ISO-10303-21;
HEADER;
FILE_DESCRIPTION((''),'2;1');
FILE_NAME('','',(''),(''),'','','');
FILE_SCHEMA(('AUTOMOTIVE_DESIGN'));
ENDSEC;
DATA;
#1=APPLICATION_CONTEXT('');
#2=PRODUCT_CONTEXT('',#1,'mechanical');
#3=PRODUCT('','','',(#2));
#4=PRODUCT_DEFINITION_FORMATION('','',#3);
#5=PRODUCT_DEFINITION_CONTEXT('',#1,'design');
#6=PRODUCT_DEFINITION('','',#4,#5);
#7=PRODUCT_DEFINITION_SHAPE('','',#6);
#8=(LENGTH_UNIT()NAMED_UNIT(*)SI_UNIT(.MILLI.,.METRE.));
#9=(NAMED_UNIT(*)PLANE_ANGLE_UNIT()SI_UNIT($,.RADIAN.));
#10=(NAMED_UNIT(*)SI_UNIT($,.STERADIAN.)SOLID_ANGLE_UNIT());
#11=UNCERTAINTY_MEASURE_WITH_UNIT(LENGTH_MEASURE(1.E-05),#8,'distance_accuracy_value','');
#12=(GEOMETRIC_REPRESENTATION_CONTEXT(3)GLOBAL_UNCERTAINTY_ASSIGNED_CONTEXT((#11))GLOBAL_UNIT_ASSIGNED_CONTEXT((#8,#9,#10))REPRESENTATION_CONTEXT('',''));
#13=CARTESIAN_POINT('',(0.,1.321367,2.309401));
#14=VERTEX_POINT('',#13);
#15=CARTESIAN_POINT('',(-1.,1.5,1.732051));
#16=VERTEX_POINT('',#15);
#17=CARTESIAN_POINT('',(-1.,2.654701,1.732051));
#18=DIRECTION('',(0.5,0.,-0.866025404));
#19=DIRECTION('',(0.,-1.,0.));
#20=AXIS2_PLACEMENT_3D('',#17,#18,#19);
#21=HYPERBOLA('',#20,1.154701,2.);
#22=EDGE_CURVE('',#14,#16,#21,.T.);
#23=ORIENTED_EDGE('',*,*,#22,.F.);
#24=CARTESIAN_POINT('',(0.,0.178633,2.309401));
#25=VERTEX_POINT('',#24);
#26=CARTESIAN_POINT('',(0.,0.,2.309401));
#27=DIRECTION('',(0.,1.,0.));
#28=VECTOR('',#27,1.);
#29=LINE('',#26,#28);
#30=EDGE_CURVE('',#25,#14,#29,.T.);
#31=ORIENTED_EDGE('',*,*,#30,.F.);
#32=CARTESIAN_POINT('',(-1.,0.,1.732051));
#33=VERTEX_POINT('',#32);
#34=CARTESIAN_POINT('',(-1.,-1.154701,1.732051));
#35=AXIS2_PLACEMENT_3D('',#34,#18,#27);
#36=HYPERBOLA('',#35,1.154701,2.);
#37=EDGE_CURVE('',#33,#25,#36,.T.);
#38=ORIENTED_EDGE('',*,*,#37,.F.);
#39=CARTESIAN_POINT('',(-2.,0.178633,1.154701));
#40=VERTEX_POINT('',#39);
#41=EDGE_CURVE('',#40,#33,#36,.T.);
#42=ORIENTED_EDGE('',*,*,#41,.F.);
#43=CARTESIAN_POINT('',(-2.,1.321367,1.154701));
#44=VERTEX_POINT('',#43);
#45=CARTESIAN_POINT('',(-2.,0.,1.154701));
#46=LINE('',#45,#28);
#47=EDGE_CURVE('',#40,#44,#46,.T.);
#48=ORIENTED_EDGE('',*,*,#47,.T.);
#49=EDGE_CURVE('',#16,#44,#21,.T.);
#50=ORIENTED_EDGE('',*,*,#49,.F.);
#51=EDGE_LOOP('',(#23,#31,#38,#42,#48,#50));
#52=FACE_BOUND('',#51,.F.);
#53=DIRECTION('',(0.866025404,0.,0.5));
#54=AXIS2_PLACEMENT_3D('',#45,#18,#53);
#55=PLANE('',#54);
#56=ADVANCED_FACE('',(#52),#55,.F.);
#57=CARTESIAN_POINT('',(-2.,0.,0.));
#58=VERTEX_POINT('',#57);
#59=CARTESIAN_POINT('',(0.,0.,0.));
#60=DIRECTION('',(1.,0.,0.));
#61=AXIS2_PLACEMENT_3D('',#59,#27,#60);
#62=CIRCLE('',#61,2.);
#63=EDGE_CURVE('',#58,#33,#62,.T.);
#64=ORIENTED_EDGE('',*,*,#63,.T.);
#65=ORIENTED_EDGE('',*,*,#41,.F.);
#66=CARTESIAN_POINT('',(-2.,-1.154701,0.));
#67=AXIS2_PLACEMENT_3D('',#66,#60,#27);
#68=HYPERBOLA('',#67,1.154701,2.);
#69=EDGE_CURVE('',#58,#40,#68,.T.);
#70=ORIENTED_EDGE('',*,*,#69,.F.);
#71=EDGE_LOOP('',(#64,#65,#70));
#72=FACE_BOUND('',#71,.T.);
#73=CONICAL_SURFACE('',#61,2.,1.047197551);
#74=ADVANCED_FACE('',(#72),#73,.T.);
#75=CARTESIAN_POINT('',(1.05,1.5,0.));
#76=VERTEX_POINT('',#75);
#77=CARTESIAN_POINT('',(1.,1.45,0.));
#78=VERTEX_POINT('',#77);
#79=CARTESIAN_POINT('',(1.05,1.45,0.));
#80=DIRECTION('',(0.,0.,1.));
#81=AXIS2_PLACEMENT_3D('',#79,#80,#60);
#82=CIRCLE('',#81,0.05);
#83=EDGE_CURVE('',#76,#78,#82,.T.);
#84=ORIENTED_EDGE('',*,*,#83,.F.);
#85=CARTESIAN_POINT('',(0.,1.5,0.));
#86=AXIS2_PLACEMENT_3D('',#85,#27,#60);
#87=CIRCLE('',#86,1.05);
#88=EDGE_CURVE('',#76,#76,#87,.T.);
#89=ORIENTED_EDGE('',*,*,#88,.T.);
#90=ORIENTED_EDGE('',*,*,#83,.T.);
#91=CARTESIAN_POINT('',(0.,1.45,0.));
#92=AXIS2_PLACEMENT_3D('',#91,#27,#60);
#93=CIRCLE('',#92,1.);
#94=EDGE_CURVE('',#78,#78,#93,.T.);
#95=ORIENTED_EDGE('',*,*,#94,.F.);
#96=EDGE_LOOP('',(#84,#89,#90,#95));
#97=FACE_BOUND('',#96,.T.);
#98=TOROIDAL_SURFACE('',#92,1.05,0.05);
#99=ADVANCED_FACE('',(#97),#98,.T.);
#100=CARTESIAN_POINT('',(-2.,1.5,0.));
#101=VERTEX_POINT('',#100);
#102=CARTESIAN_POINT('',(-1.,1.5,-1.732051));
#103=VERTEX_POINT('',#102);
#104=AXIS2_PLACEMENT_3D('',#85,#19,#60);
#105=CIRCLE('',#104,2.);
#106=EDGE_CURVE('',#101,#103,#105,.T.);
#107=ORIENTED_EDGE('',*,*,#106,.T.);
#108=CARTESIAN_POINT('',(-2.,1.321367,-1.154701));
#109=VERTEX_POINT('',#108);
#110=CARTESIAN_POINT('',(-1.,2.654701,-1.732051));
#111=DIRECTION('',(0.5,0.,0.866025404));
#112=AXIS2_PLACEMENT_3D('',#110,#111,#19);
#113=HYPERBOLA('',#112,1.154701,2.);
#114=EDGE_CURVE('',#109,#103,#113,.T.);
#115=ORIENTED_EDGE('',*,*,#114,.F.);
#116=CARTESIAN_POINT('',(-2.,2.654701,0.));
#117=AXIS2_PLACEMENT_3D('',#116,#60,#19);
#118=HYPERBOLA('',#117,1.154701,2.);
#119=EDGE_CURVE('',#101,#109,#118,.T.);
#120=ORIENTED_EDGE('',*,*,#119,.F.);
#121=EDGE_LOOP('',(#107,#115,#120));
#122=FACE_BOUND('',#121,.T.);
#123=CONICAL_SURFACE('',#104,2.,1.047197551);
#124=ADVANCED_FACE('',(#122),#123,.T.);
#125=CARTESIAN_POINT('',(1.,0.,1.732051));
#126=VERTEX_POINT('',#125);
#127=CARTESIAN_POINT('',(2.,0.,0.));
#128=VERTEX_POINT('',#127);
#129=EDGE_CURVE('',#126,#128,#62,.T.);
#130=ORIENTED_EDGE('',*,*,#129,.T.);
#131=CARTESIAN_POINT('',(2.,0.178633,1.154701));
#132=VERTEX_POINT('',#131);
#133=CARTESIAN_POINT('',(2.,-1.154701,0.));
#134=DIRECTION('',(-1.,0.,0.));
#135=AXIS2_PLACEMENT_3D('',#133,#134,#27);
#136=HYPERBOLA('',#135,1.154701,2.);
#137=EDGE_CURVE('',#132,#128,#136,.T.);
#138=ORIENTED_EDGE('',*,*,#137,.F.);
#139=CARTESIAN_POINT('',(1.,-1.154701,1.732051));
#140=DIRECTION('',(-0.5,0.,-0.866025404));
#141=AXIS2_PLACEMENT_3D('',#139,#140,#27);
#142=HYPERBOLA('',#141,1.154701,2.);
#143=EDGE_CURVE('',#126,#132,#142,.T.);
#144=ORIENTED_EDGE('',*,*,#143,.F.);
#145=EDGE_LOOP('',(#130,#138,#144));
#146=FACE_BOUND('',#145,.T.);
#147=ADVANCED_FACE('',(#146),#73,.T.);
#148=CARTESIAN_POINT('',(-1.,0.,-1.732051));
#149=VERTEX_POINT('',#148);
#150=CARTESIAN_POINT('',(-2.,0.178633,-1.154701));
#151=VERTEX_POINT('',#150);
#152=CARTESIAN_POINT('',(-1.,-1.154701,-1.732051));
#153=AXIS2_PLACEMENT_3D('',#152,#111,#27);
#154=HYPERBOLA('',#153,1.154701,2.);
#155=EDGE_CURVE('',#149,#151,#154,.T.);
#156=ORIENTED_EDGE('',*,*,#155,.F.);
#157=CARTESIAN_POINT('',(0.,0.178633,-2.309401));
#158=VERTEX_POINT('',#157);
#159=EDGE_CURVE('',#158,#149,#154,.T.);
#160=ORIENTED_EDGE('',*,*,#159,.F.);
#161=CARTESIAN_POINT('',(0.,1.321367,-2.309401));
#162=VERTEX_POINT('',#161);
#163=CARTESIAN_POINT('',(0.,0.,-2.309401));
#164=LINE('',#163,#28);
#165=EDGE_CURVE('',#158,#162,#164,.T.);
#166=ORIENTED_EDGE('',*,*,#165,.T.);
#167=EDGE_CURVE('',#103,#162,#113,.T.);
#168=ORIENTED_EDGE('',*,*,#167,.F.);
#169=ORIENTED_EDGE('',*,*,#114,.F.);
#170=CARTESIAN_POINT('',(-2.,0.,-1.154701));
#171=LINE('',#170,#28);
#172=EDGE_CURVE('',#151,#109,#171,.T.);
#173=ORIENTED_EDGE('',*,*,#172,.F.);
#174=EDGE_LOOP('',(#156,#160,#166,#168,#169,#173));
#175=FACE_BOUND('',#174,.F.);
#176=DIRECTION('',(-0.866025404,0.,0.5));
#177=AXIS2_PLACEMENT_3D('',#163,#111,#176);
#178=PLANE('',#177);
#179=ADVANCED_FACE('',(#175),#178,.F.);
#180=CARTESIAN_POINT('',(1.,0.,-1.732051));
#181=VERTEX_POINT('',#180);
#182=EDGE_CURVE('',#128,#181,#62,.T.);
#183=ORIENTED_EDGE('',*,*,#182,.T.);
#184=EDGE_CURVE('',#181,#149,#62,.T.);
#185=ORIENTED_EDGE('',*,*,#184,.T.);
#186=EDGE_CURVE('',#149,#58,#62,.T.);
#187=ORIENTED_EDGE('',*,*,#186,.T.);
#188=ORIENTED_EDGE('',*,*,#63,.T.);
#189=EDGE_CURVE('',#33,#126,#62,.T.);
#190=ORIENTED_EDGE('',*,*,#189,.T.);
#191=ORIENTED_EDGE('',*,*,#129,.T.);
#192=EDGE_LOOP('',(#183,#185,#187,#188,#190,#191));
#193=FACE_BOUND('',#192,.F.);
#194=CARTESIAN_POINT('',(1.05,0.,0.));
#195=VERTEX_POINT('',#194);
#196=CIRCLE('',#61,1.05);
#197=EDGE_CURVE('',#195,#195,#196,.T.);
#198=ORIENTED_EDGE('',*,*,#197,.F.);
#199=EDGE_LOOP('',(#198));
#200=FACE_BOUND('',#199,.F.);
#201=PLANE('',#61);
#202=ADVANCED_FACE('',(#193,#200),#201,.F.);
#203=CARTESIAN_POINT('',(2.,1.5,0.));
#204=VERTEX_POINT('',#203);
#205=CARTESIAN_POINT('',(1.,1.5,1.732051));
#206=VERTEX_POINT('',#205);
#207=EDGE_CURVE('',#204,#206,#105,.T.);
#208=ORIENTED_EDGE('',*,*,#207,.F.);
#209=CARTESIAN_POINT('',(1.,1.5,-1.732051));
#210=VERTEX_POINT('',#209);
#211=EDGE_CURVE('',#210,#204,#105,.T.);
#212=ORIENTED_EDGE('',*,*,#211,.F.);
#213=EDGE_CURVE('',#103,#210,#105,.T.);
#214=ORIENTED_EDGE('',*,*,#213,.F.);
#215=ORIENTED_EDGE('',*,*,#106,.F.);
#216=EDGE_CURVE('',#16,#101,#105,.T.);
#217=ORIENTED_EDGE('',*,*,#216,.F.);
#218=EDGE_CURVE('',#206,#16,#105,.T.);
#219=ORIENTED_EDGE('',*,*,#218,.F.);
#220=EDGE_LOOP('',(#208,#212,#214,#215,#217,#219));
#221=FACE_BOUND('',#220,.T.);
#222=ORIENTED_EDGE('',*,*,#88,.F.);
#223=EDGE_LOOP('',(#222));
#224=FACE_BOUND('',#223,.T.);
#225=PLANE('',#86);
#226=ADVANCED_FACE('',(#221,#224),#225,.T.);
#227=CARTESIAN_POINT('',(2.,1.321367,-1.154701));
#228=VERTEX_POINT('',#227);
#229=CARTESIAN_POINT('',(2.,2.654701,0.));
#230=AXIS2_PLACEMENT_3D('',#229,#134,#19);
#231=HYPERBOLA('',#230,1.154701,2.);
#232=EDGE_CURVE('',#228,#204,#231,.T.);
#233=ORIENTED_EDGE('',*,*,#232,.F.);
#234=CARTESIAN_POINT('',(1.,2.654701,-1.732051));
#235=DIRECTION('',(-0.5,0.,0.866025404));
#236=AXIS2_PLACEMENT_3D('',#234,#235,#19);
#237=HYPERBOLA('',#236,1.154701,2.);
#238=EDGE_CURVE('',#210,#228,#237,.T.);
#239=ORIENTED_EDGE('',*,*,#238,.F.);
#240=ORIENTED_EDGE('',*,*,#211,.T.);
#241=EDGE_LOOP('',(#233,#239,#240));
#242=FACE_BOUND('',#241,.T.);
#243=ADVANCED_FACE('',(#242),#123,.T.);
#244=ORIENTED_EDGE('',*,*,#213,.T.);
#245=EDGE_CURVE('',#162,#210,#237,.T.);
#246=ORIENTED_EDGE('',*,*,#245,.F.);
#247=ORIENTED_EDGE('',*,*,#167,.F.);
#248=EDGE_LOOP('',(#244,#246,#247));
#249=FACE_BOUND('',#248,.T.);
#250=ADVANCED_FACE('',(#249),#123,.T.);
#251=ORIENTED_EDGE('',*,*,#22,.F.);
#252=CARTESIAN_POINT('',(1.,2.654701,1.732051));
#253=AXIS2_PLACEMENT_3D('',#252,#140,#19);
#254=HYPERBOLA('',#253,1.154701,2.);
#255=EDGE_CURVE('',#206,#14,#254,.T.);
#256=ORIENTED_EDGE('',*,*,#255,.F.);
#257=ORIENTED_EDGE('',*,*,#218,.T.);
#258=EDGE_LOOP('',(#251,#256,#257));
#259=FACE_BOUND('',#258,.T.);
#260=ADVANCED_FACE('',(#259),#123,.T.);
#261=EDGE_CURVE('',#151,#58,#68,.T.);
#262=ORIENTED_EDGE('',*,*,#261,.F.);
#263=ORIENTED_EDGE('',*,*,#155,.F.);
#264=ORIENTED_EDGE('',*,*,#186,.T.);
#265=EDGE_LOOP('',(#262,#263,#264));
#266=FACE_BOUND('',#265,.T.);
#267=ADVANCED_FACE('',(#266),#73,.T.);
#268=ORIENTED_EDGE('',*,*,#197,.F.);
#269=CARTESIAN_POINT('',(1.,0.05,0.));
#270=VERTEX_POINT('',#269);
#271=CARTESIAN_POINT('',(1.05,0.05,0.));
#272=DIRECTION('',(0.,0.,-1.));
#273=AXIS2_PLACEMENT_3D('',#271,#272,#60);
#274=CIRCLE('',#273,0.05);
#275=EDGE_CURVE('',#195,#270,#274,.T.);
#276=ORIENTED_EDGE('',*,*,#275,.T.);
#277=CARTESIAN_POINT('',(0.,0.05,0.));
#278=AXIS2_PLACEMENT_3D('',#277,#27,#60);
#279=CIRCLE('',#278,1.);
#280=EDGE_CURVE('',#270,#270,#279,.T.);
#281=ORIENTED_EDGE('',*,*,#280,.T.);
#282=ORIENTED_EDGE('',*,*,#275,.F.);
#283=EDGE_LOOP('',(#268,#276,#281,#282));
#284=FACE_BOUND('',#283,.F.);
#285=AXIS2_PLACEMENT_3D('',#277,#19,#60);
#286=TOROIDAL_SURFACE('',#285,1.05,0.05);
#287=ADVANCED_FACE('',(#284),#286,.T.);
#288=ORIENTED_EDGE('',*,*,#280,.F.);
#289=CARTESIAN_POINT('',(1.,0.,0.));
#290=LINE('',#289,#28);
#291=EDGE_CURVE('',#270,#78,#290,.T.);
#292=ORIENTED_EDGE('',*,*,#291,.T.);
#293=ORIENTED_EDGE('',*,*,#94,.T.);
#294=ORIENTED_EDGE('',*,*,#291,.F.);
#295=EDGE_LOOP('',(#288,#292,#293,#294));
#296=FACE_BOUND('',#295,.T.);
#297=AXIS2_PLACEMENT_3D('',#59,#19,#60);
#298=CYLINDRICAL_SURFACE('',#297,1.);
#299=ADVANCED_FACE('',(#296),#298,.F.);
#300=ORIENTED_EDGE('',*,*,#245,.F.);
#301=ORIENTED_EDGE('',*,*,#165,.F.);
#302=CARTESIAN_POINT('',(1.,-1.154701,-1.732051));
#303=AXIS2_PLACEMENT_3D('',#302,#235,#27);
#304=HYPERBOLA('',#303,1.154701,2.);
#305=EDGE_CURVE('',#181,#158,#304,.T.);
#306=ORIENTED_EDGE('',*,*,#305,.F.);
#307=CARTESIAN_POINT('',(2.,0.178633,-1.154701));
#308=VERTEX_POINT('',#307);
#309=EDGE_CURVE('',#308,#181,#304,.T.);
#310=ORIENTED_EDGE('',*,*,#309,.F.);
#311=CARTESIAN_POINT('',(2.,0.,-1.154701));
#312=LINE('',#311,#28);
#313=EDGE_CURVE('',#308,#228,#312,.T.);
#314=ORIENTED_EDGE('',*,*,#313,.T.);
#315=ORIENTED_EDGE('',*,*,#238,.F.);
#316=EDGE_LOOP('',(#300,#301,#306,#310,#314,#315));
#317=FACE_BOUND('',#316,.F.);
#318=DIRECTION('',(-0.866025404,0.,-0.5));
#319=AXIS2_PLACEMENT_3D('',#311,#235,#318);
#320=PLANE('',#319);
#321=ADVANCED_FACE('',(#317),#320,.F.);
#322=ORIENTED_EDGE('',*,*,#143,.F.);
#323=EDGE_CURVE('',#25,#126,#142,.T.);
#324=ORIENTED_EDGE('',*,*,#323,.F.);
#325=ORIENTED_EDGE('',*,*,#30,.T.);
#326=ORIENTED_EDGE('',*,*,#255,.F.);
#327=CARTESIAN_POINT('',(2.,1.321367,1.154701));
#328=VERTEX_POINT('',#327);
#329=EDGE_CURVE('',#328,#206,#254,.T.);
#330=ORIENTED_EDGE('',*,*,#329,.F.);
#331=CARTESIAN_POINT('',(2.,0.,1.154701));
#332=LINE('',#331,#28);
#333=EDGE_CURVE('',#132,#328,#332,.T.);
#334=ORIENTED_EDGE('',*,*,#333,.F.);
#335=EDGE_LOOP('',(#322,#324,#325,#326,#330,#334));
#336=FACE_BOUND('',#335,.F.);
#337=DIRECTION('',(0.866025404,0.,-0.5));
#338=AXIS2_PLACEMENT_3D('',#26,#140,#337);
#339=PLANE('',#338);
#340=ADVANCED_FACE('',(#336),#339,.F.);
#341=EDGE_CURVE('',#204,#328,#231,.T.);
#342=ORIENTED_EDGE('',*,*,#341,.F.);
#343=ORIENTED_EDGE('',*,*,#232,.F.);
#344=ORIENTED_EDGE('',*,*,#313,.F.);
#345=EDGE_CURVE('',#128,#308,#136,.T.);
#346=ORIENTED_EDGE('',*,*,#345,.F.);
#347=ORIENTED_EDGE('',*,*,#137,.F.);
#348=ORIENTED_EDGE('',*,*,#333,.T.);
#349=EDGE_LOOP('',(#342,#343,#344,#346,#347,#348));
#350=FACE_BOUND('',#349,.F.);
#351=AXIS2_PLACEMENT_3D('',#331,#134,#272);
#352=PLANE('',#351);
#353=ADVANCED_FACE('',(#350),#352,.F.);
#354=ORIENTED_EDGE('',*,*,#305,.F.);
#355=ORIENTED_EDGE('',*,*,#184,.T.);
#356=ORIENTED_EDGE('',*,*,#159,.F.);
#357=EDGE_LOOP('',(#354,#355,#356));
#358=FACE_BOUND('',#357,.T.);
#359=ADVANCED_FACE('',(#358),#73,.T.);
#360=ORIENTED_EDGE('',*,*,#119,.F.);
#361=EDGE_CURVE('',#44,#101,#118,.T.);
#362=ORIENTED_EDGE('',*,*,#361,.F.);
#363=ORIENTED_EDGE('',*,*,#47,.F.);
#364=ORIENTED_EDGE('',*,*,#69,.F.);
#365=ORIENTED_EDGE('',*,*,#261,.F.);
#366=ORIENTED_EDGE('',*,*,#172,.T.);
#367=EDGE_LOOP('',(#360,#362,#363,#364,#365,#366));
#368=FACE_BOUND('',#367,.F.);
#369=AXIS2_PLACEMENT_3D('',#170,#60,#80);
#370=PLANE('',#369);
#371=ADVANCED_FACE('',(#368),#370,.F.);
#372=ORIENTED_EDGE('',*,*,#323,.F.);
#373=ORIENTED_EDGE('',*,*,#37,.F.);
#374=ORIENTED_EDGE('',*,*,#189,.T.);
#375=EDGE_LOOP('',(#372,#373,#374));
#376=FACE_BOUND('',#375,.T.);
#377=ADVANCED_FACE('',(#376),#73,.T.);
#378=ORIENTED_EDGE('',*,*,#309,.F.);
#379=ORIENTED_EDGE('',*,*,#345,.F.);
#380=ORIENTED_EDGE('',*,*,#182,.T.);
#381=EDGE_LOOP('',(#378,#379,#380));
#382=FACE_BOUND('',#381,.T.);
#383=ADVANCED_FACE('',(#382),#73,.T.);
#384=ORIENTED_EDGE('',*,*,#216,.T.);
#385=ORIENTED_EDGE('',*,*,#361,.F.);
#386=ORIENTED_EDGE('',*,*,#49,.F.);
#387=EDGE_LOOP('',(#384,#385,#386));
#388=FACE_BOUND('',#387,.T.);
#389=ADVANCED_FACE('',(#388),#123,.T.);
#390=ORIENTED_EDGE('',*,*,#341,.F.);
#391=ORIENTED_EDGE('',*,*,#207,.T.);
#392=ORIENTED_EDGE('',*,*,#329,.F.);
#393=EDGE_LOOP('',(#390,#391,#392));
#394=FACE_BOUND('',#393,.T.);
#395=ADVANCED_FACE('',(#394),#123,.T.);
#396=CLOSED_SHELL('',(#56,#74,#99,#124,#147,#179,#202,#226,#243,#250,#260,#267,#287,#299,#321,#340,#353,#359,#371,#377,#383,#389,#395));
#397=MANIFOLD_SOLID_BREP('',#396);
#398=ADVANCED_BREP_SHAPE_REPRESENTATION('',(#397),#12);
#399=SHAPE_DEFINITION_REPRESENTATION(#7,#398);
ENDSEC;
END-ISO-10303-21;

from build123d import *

# Parameters (mm, degrees)
SKETCH2_R           = 1
BOSS_EXTRUDE1_DEPTH = 1.5
SKETCH3_OUTSIDE_W   = 14.186
SKETCH3_OUTSIDE_H   = 14.804
SKETCH3_OUTSIDE_R   = 2
CUT_EXTRUDE1_DEPTH  = 2
CUT_EXTRUDE1_TAPER  = 60
SKETCH4_OUTSIDE_W   = 14.186
SKETCH4_OUTSIDE_H   = 14.804
SKETCH4_OUTSIDE_R   = 2
CUT_EXTRUDE2_DEPTH  = 2
CUT_EXTRUDE2_TAPER  = 60
FILLET1_R           = 0.05


with BuildPart() as part:
    # Sketch2 → Boss-Extrude1 (new body)
    with BuildSketch(Plane(origin=(0, 0, 0), x_dir=(1, 0, 0), z_dir=(0, 1, 0))):
        Polygon((2, -1.154700538), (2, 1.154700538), (0, 2.309401077), (-2, 1.154700538), (-2, -1.154700538), (0, -2.309401077), align=None)
        Circle(SKETCH2_R, mode=Mode.SUBTRACT)
    extrude(amount=BOSS_EXTRUDE1_DEPTH)

    # Sketch3 outside → Cut-Extrude1 (cut)
    with BuildSketch(Plane(origin=(0, 1.5, 0), x_dir=(1, 0, 0), z_dir=(0, 1, 0))):
        Rectangle(SKETCH3_OUTSIDE_W, SKETCH3_OUTSIDE_H)
        Circle(SKETCH3_OUTSIDE_R, mode=Mode.SUBTRACT)
    extrude(amount=-CUT_EXTRUDE1_DEPTH, taper=CUT_EXTRUDE1_TAPER, mode=Mode.SUBTRACT)

    # Sketch4 outside → Cut-Extrude2 (cut)
    with BuildSketch(Plane.XZ):
        Rectangle(SKETCH4_OUTSIDE_W, SKETCH4_OUTSIDE_H)
        Circle(SKETCH4_OUTSIDE_R, mode=Mode.SUBTRACT)
    extrude(amount=-CUT_EXTRUDE2_DEPTH, taper=CUT_EXTRUDE2_TAPER, mode=Mode.SUBTRACT)

    # Fillet1
    fillet1_edges = [part.edges().sort_by_distance(p)[0] for p in [
        (-1, 0, 0),
        (-1, 1.5, 0),
    ]]
    fillet(fillet1_edges, radius=FILLET1_R)


solid = part.part
